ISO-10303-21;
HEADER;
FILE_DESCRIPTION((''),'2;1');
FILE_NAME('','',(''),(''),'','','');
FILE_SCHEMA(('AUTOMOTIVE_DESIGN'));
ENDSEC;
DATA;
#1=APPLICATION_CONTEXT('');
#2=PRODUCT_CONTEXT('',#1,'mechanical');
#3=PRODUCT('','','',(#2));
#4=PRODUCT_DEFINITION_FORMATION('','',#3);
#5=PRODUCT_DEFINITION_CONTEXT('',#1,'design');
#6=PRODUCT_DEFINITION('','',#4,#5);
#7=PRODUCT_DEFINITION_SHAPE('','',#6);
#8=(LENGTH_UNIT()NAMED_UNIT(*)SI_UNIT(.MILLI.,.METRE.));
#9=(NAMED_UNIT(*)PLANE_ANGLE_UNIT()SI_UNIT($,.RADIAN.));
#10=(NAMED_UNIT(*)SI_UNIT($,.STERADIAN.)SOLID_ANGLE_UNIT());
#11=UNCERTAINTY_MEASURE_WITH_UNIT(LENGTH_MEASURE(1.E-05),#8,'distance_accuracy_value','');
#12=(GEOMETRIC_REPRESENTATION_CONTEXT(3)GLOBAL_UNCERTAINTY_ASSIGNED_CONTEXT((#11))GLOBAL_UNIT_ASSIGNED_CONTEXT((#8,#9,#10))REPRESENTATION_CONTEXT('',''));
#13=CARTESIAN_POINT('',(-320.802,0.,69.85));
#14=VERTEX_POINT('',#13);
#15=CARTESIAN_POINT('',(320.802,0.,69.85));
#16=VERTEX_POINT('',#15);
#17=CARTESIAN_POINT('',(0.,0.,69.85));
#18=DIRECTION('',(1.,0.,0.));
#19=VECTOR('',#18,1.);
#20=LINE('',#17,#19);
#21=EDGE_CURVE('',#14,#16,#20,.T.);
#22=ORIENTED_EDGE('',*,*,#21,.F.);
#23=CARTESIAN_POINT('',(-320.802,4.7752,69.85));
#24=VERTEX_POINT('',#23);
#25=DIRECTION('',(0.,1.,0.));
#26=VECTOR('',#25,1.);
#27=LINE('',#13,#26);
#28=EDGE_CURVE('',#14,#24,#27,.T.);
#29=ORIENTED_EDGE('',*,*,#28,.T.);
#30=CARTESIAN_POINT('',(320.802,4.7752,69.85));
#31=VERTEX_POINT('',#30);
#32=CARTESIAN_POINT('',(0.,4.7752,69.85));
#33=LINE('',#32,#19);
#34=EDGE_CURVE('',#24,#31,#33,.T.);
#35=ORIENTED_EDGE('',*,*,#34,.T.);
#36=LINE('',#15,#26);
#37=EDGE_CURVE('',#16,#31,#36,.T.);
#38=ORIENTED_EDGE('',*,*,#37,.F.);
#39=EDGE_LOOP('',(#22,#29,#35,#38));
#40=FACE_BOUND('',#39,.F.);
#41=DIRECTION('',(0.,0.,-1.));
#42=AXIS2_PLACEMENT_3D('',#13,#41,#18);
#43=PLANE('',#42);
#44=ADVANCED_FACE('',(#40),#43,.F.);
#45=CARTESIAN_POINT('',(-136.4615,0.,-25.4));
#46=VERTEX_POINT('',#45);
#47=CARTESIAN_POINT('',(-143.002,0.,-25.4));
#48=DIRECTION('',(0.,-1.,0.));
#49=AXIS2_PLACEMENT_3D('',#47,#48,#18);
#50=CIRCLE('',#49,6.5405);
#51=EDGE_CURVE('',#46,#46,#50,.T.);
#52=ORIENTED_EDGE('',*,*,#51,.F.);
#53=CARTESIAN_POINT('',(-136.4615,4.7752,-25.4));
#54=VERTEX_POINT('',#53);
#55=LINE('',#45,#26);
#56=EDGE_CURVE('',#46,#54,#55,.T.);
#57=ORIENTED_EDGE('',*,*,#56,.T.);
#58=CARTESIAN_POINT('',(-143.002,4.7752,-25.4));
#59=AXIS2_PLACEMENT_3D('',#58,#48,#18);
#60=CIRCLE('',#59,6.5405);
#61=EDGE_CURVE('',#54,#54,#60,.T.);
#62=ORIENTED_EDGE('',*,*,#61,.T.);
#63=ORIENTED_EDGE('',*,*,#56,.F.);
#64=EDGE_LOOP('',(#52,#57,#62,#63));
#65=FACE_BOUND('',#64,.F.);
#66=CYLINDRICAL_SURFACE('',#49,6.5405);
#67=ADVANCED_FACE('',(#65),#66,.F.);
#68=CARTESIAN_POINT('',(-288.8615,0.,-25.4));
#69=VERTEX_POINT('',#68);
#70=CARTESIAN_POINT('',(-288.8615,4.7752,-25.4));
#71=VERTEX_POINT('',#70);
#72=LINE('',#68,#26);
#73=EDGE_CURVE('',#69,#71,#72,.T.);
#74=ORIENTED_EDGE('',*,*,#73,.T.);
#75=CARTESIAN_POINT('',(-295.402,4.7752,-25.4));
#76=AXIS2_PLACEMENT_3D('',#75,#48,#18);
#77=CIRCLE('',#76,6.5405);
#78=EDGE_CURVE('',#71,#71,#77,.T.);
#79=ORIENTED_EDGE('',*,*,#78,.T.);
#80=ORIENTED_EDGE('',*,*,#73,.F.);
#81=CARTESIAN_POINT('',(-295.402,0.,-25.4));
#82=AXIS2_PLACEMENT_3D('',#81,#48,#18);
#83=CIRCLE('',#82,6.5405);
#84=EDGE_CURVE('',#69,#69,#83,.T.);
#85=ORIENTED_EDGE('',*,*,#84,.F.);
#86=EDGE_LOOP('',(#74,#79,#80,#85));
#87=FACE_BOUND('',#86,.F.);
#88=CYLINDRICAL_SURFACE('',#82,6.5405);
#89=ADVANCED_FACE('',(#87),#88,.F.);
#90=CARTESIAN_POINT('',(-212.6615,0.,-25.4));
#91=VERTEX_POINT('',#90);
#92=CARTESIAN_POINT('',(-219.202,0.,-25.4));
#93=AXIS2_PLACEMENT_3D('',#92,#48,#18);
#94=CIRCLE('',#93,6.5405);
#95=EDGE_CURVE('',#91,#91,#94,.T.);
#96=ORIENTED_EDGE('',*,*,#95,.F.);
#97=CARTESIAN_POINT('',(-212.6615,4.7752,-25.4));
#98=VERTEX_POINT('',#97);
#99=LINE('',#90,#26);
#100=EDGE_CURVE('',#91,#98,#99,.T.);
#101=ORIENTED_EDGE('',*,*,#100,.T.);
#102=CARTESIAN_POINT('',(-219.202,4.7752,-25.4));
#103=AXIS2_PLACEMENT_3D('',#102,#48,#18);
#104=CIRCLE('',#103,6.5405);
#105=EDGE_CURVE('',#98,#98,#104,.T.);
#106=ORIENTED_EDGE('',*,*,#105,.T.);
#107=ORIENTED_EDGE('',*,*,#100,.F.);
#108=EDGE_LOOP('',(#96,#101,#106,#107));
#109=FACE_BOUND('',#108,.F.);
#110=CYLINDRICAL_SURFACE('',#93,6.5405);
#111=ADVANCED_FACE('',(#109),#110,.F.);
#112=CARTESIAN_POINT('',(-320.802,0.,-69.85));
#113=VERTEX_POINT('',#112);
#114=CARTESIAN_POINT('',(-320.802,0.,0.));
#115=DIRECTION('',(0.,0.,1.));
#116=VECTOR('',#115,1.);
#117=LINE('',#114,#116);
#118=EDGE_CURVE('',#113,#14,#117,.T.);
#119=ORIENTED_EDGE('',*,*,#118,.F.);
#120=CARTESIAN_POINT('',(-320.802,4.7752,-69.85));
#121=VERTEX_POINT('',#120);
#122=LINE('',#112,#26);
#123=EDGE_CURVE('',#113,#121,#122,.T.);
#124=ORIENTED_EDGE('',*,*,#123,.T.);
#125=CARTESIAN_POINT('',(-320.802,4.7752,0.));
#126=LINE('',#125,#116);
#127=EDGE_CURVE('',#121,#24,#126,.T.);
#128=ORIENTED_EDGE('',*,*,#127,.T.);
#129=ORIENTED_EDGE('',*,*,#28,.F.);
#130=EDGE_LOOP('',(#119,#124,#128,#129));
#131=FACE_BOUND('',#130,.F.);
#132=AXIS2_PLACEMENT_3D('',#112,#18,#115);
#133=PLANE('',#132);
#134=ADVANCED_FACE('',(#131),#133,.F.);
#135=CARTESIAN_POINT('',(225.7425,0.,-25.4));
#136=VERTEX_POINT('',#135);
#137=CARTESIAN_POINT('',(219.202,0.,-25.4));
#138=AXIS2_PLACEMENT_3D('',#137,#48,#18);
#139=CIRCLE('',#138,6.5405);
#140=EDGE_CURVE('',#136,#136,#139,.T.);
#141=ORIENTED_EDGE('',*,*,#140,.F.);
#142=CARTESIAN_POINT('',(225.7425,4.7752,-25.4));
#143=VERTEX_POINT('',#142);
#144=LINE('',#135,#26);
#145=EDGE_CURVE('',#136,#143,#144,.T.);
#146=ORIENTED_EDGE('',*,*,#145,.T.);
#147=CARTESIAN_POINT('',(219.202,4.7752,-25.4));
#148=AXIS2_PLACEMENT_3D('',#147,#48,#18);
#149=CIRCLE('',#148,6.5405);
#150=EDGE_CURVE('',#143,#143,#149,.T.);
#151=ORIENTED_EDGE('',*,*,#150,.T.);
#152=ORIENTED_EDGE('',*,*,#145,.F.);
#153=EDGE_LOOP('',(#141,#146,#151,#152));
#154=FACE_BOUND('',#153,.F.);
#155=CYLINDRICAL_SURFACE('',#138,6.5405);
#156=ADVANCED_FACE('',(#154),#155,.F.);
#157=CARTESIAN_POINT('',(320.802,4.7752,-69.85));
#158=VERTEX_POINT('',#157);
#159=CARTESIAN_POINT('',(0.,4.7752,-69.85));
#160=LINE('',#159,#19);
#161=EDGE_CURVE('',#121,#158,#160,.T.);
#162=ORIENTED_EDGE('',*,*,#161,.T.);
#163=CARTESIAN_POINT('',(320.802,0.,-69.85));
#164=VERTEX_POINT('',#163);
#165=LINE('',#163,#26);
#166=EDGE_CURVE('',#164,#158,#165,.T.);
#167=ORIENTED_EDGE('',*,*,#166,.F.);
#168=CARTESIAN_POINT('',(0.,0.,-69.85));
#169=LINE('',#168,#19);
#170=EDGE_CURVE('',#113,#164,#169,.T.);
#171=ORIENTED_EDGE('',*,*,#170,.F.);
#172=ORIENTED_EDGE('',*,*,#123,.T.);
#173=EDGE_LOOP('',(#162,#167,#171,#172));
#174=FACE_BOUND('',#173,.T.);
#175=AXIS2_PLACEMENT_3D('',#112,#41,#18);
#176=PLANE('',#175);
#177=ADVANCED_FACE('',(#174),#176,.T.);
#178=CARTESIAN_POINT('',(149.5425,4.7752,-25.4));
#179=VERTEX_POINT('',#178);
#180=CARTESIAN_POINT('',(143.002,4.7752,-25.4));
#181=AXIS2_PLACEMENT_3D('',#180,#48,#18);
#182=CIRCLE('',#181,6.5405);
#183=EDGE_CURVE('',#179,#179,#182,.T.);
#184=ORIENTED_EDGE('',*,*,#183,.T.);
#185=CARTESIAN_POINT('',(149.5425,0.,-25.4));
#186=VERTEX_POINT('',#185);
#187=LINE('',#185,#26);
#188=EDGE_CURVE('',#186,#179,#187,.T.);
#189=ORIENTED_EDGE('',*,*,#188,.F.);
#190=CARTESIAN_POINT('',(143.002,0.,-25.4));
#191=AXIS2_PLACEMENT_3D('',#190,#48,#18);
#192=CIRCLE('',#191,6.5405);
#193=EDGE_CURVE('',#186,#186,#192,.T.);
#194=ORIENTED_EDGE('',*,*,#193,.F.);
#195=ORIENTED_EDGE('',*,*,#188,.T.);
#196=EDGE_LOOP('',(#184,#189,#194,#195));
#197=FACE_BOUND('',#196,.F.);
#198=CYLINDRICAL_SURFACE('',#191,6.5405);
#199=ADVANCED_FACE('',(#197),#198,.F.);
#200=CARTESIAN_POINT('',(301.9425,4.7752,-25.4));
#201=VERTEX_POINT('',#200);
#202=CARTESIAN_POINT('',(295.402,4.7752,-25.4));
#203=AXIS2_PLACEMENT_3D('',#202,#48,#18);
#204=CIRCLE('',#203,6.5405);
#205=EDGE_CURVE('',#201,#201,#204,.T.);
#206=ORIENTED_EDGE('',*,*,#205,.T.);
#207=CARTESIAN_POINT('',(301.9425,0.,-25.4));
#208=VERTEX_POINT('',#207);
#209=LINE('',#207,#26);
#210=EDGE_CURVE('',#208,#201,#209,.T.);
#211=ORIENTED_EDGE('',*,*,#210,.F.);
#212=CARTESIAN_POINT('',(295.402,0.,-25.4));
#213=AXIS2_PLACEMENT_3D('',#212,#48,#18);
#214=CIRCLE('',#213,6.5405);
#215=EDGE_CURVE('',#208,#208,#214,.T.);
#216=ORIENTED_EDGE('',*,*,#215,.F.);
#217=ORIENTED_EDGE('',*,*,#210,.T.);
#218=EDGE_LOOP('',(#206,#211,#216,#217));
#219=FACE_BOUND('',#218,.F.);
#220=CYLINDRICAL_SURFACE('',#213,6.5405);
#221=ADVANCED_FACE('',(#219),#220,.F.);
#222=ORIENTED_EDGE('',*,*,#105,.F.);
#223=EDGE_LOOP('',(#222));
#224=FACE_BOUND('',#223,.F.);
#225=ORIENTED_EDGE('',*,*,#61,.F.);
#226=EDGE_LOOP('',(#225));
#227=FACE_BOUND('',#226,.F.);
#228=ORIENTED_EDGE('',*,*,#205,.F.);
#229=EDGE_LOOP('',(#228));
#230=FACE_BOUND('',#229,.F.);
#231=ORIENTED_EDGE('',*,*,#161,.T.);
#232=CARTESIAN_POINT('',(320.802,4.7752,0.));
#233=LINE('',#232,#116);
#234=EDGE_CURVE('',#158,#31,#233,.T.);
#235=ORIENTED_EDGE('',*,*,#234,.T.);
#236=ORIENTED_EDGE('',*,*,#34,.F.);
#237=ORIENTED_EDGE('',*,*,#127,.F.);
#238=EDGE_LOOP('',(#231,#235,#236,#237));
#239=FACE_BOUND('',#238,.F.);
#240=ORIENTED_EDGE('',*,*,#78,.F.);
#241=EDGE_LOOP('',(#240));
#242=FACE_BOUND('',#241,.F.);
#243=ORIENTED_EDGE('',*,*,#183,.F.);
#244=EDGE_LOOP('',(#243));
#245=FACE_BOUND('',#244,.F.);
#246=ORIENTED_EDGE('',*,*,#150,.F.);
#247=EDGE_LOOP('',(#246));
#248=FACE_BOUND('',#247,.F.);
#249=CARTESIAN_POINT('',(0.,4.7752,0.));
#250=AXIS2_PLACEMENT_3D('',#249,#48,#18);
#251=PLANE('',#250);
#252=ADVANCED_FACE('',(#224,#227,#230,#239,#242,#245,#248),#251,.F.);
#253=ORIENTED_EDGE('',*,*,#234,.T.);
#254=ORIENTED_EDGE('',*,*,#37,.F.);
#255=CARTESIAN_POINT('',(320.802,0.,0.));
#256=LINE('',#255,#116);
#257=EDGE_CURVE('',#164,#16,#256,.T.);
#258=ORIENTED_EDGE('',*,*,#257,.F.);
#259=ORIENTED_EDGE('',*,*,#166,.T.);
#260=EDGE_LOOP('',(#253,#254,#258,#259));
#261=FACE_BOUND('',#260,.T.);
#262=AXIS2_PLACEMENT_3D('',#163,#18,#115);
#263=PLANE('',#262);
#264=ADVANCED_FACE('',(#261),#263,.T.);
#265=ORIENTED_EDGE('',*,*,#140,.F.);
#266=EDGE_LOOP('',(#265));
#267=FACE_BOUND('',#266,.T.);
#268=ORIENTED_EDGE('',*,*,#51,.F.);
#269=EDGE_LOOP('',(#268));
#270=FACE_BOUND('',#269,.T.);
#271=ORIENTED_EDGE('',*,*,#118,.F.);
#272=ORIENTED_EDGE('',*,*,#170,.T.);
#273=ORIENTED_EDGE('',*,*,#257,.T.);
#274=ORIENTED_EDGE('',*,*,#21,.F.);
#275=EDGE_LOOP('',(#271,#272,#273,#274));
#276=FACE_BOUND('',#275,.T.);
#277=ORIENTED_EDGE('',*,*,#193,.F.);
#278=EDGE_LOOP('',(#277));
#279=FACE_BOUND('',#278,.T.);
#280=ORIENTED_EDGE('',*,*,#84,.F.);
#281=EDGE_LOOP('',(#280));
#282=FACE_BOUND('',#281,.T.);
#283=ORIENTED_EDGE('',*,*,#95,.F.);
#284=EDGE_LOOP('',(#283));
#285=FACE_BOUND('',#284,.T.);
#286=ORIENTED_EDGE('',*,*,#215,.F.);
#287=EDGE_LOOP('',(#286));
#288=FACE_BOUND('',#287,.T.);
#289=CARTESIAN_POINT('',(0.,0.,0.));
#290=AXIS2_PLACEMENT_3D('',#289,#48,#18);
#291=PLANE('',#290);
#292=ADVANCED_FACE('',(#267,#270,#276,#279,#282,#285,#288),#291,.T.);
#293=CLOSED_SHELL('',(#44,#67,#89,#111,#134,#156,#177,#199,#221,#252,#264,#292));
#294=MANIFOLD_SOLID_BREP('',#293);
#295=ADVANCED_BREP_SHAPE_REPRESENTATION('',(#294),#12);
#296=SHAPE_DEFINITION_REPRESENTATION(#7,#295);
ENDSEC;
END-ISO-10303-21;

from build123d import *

# Parameters (mm, degrees)
F0_W     = 641.604
F0_H     = 139.7
F0_R     = 6.5405
F1_DEPTH = 4.7752


with BuildPart() as f1:
    # F0 (on Front) → F1 (new body)
    with BuildSketch(Plane.XZ):
        Rectangle(F0_W, F0_H)
        with Locations((-295.402, -25.4)):
            Circle(F0_R, mode=Mode.SUBTRACT)
        with Locations((-219.202, -25.4)):
            Circle(F0_R, mode=Mode.SUBTRACT)
        with Locations((-143.002, -25.4)):
            Circle(F0_R, mode=Mode.SUBTRACT)
        with Locations((143.002, -25.4)):
            Circle(F0_R, mode=Mode.SUBTRACT)
        with Locations((219.202, -25.4)):
            Circle(F0_R, mode=Mode.SUBTRACT)
        with Locations((295.402, -25.4)):
            Circle(F0_R, mode=Mode.SUBTRACT)
    extrude(amount=-F1_DEPTH)


solid = f1.part
